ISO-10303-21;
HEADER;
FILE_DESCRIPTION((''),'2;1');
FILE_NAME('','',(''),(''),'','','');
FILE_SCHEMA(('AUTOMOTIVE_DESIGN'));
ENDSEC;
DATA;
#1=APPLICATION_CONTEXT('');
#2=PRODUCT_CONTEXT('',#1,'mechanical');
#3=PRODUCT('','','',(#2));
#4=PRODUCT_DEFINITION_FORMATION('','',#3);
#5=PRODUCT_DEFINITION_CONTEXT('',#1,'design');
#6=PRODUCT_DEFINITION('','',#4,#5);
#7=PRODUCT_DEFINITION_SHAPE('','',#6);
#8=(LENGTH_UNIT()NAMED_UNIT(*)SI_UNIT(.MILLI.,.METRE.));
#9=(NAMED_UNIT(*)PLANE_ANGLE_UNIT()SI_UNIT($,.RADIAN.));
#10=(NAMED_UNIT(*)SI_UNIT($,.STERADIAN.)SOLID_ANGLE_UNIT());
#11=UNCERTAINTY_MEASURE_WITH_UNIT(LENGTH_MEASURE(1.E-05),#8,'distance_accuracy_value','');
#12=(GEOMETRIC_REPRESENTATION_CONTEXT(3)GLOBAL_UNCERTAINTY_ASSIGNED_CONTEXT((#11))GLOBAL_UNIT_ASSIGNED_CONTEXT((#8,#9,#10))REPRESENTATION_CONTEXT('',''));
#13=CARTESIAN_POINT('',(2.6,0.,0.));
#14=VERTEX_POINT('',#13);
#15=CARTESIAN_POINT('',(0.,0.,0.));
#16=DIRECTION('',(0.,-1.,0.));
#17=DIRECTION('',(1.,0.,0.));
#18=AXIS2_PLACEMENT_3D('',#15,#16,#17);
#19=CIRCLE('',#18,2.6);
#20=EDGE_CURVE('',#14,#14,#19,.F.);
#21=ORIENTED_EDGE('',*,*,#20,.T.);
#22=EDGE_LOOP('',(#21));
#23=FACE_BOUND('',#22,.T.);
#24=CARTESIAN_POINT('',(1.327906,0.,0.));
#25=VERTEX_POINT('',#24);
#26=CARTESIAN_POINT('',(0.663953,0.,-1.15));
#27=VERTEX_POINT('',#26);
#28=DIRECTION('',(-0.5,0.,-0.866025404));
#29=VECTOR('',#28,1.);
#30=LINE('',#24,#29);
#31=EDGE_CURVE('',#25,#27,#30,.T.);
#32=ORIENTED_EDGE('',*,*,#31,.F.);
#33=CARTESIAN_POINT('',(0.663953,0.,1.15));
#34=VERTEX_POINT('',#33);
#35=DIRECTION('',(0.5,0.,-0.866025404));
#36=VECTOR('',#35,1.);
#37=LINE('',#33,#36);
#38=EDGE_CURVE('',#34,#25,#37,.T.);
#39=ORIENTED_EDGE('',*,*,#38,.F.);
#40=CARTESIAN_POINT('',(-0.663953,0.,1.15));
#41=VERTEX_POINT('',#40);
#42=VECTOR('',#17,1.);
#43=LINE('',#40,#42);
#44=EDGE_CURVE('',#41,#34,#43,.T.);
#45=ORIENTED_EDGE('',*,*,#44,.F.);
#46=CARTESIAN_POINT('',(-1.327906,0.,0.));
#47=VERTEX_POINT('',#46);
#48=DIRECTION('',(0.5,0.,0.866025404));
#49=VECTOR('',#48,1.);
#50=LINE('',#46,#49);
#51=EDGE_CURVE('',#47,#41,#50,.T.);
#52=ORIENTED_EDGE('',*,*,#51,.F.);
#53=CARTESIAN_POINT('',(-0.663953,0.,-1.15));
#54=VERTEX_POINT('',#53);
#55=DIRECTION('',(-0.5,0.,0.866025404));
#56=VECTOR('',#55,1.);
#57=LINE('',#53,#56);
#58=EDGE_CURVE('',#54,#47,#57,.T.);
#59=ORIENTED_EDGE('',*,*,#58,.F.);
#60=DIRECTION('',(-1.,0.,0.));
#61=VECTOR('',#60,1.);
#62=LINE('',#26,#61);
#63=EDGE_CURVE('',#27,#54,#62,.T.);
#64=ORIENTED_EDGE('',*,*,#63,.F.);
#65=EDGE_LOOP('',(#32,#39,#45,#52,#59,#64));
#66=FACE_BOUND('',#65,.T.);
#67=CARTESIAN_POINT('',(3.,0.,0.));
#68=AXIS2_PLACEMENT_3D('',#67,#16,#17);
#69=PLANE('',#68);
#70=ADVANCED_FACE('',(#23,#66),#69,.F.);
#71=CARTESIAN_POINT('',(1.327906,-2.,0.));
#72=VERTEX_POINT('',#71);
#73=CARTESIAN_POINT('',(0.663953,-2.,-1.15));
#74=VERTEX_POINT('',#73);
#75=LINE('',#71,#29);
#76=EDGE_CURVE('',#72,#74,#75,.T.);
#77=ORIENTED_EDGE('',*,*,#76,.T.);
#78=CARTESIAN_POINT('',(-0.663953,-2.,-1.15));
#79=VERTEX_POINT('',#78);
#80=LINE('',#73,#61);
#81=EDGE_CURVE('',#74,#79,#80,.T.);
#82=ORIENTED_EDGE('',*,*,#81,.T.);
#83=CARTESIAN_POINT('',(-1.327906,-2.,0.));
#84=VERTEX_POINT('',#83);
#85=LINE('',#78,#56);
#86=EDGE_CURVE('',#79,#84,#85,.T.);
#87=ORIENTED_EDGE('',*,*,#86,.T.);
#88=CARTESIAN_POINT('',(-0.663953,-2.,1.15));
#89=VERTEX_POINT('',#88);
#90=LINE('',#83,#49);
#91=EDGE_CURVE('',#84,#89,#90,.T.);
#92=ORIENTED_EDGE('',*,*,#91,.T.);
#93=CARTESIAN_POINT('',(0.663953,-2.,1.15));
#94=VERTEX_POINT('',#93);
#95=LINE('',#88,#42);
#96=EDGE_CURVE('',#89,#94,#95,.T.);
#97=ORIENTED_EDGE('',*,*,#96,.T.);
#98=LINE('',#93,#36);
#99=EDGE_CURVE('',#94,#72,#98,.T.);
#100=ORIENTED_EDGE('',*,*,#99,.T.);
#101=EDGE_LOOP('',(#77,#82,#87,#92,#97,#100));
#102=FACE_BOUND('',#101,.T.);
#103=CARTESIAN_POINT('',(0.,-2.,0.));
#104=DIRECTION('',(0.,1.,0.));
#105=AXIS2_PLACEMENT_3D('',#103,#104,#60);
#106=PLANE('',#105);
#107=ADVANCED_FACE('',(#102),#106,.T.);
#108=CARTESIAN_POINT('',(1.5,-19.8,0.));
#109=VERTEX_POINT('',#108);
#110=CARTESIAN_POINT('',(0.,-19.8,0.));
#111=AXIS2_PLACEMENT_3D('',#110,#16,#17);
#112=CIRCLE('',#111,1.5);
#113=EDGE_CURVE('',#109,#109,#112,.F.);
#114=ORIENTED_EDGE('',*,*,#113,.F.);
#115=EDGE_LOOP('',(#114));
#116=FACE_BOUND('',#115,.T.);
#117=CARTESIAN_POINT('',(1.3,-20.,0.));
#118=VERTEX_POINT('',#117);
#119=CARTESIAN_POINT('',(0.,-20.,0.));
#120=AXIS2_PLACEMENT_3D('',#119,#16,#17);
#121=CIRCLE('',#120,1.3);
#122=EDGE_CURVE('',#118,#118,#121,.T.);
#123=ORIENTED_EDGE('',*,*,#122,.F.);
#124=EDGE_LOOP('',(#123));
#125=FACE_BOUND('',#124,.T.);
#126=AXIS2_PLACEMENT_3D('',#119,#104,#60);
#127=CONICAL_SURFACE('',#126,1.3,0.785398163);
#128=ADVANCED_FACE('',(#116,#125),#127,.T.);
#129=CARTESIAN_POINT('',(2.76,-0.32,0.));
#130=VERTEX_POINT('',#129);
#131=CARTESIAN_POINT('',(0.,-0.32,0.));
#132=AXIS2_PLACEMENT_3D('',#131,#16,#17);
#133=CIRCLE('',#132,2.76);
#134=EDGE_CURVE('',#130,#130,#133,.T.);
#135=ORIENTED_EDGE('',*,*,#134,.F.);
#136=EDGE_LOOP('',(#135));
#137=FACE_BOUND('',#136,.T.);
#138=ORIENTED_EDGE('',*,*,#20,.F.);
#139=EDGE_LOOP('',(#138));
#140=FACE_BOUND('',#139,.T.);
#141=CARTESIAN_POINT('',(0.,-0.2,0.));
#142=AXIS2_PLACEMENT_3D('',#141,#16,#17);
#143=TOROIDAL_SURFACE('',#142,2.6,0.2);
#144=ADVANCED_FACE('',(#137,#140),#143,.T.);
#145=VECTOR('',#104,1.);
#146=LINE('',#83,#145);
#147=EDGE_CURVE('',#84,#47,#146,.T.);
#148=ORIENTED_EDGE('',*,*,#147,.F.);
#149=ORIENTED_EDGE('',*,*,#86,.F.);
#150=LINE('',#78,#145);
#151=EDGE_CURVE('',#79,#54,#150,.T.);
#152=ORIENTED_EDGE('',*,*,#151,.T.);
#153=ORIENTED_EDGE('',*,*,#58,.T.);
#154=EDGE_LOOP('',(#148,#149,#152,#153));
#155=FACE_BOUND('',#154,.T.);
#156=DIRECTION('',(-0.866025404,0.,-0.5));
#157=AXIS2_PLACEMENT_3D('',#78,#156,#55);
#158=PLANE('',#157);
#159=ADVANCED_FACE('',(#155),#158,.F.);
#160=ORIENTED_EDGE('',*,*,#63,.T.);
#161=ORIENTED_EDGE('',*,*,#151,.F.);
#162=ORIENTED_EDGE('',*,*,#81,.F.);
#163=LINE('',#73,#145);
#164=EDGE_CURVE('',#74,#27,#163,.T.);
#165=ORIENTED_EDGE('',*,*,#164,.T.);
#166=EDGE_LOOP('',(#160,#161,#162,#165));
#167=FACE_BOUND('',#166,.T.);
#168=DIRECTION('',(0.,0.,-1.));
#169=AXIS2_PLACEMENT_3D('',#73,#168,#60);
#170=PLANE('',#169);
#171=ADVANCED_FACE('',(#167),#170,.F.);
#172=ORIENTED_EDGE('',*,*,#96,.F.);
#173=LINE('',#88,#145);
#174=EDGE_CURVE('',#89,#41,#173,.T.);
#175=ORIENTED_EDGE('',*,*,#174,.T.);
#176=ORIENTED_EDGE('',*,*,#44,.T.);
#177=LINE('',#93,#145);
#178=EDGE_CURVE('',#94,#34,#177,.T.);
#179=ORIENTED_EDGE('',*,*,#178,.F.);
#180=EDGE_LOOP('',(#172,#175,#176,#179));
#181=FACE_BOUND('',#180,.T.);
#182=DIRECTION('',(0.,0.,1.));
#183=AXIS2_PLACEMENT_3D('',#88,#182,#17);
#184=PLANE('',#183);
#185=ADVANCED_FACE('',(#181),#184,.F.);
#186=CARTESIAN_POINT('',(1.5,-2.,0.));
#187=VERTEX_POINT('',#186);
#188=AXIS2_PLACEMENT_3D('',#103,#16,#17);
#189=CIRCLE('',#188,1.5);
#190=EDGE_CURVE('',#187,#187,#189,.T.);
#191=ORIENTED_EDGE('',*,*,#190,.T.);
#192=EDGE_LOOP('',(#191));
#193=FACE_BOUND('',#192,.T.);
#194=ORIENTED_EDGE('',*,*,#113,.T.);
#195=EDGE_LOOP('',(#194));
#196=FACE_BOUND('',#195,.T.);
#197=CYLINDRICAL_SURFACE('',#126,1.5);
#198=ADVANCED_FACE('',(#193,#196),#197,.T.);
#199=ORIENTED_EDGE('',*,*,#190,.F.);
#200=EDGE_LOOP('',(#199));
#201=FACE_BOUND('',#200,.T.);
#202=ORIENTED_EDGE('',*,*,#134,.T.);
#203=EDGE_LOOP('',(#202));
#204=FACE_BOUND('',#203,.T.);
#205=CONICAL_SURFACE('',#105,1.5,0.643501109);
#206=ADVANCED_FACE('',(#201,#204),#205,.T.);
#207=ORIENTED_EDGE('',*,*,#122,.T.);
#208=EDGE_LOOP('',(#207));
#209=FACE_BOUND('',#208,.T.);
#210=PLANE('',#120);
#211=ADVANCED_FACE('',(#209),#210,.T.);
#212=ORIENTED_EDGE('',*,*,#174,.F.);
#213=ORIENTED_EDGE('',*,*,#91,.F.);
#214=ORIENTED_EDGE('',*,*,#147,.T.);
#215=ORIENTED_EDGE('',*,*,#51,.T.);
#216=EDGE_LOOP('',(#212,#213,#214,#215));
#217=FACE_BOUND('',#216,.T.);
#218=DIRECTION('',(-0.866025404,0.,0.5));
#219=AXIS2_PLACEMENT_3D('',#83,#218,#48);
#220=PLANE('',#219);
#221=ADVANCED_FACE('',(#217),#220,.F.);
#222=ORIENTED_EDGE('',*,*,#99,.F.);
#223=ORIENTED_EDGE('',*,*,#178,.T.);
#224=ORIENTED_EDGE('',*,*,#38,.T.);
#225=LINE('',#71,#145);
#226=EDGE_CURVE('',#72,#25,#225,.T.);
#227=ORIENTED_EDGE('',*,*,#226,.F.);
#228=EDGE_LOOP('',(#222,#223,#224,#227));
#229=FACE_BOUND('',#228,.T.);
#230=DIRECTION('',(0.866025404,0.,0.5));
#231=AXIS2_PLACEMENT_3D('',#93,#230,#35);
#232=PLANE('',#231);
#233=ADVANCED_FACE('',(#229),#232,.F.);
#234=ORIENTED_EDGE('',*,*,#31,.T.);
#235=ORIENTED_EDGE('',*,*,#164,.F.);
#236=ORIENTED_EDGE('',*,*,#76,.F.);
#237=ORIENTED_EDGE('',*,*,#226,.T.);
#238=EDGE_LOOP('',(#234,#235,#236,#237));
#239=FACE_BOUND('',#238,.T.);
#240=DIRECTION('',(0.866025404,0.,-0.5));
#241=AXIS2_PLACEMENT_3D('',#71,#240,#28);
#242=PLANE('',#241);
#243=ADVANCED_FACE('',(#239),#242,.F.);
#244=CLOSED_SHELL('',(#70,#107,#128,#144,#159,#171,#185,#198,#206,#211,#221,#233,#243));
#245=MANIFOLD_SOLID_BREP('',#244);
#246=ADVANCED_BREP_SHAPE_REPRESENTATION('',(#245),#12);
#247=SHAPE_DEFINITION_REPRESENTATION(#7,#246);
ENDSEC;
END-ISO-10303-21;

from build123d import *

# Parameters (mm, degrees)
SKETCH_2_R          = 1.5
EXTRUDE_1_DEPTH     = 18
CUT_EXTRUDE_1_DEPTH = 2
CHAMFER_1_SIZE      = 0.2
FILLET_1_R          = 0.2


with BuildPart() as part:
    # 草图1 → 旋转1 (revolve)
    with BuildSketch(Plane.XY):
        Polygon((0, 0), (0, -2), (1.5, -2), (3, 0), align=None)
    revolve(axis=Axis((0, 0, 0), (0, -1, 0)))

    # 草图2 → 凸台-拉伸1 (add)
    with BuildSketch(Plane.XZ.offset(2)):
        Circle(SKETCH_2_R)
    extrude(amount=EXTRUDE_1_DEPTH)

    # 草图3 → 切除-拉伸1 (cut)
    with BuildSketch(Plane(origin=(0, 0, 0), x_dir=(1, 0, 0), z_dir=(0, 1, 0))):
        Polygon((-1.327905619, 0), (-0.66395281, -1.15), (0.66395281, -1.15), (1.327905619, 0), (0.66395281, 1.15), (-0.66395281, 1.15), align=None)
    extrude(amount=-CUT_EXTRUDE_1_DEPTH, mode=Mode.SUBTRACT)

    # 倒角1
    chamfer_1_edges = [part.edges().sort_by_distance(p)[0] for p in [
        (-1.5, -20, 0),
    ]]
    chamfer(chamfer_1_edges, length=CHAMFER_1_SIZE)

    # 圆角1
    fillet_1_edges = [part.edges().sort_by_distance(p)[0] for p in [
        (-3, 0, 0),
    ]]
    fillet(fillet_1_edges, radius=FILLET_1_R)


solid = part.part
